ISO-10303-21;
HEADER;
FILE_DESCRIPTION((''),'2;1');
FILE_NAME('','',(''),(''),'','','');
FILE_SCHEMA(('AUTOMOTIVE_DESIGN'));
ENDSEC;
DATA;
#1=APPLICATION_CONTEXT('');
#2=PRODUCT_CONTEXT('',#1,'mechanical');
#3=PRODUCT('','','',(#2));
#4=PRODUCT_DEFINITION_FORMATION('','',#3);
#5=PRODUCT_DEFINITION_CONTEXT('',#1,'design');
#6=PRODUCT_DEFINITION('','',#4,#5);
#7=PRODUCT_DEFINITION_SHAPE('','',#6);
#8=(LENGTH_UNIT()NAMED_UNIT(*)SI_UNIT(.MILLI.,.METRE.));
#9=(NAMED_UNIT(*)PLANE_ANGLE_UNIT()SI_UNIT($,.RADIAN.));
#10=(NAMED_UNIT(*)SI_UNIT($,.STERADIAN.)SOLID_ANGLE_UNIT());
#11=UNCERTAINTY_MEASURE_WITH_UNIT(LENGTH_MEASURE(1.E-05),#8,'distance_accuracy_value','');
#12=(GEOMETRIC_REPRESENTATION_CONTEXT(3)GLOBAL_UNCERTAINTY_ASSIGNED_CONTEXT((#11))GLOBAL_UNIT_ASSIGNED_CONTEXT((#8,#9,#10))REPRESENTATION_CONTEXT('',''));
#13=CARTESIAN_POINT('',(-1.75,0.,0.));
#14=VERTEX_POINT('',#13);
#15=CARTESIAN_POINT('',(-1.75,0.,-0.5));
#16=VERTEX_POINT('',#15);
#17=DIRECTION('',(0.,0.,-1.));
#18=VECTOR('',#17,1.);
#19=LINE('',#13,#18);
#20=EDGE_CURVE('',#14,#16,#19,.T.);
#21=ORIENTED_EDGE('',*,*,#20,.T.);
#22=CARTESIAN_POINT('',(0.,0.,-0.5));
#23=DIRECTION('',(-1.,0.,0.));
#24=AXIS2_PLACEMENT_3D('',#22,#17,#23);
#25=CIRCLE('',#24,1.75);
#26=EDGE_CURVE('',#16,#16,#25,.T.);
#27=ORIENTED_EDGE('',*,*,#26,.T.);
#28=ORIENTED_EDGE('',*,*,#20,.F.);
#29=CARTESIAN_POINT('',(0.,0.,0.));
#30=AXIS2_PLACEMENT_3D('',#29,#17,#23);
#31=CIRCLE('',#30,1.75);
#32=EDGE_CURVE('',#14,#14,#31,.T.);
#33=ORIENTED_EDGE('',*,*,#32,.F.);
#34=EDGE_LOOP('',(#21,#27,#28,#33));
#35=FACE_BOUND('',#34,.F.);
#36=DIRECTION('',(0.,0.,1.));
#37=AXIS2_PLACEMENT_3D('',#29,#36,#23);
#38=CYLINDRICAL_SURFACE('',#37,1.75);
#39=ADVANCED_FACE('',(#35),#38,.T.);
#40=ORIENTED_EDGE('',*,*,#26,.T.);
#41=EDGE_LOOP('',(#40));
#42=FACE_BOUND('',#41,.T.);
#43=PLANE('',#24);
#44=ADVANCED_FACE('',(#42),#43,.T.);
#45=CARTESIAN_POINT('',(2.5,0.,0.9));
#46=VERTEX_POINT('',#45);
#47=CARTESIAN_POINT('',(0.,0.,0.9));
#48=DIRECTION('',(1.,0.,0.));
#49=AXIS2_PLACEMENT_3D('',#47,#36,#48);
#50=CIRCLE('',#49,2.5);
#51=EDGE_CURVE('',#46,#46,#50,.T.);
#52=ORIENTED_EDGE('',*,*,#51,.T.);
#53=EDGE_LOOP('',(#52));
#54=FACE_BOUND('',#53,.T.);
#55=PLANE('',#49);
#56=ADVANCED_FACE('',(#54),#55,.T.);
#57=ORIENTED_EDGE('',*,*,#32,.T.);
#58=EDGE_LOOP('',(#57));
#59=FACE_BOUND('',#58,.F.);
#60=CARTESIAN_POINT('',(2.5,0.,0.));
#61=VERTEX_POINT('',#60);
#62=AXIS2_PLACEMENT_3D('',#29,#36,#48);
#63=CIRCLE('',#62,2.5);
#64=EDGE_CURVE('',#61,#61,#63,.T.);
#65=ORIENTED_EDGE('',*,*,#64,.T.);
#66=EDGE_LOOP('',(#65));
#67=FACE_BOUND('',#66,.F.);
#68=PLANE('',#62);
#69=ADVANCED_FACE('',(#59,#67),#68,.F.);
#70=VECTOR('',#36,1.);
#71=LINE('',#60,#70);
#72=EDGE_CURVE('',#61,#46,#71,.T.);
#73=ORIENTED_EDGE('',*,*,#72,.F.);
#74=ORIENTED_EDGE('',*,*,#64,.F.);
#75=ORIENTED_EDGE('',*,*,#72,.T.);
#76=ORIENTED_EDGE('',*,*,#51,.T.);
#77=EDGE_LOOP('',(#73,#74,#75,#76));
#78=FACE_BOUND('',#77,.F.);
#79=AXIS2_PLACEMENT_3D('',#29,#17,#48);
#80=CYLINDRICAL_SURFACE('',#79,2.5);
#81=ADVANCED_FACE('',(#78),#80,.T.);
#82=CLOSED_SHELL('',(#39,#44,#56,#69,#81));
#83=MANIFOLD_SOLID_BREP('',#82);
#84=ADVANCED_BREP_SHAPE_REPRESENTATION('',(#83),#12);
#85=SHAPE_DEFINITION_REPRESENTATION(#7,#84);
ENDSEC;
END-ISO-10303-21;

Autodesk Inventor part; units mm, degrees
ref_plane "YZ Plane" through (0, 0, 0) normal (1, 0, 0) x (0, 1, 0)
ref_plane "XZ Plane" through (0, 0, 0) normal (0, 1, 0) x (-1, 0, 0)
ref_plane "XY Plane" through (0, 0, 0) normal (0, 0, 1) x (1, 0, 0)
sketch "Sketch1" plane through (0, 0, 0) normal (0, 0, 1) x (1, 0, 0)
  circle A0 centre (0, 0) radius 2.5
  dimension "d0" = 5
extrude "Extrusion1" add sketch "Sketch1" along normal blind 0.9
sketch "Sketch2" plane through (0, 0, 0) normal (0, 0, -1) x (-1, 0, 0)
  circle A0 centre (0, 0) radius 2.5 projected
  circle A1 centre (0, 0) radius 1.75
  dimension "d3" = 3.5
extrude "Extrusion2" add sketch "Sketch2" along normal blind 0.5 contours A1
properties material "Glass, Frosted"
